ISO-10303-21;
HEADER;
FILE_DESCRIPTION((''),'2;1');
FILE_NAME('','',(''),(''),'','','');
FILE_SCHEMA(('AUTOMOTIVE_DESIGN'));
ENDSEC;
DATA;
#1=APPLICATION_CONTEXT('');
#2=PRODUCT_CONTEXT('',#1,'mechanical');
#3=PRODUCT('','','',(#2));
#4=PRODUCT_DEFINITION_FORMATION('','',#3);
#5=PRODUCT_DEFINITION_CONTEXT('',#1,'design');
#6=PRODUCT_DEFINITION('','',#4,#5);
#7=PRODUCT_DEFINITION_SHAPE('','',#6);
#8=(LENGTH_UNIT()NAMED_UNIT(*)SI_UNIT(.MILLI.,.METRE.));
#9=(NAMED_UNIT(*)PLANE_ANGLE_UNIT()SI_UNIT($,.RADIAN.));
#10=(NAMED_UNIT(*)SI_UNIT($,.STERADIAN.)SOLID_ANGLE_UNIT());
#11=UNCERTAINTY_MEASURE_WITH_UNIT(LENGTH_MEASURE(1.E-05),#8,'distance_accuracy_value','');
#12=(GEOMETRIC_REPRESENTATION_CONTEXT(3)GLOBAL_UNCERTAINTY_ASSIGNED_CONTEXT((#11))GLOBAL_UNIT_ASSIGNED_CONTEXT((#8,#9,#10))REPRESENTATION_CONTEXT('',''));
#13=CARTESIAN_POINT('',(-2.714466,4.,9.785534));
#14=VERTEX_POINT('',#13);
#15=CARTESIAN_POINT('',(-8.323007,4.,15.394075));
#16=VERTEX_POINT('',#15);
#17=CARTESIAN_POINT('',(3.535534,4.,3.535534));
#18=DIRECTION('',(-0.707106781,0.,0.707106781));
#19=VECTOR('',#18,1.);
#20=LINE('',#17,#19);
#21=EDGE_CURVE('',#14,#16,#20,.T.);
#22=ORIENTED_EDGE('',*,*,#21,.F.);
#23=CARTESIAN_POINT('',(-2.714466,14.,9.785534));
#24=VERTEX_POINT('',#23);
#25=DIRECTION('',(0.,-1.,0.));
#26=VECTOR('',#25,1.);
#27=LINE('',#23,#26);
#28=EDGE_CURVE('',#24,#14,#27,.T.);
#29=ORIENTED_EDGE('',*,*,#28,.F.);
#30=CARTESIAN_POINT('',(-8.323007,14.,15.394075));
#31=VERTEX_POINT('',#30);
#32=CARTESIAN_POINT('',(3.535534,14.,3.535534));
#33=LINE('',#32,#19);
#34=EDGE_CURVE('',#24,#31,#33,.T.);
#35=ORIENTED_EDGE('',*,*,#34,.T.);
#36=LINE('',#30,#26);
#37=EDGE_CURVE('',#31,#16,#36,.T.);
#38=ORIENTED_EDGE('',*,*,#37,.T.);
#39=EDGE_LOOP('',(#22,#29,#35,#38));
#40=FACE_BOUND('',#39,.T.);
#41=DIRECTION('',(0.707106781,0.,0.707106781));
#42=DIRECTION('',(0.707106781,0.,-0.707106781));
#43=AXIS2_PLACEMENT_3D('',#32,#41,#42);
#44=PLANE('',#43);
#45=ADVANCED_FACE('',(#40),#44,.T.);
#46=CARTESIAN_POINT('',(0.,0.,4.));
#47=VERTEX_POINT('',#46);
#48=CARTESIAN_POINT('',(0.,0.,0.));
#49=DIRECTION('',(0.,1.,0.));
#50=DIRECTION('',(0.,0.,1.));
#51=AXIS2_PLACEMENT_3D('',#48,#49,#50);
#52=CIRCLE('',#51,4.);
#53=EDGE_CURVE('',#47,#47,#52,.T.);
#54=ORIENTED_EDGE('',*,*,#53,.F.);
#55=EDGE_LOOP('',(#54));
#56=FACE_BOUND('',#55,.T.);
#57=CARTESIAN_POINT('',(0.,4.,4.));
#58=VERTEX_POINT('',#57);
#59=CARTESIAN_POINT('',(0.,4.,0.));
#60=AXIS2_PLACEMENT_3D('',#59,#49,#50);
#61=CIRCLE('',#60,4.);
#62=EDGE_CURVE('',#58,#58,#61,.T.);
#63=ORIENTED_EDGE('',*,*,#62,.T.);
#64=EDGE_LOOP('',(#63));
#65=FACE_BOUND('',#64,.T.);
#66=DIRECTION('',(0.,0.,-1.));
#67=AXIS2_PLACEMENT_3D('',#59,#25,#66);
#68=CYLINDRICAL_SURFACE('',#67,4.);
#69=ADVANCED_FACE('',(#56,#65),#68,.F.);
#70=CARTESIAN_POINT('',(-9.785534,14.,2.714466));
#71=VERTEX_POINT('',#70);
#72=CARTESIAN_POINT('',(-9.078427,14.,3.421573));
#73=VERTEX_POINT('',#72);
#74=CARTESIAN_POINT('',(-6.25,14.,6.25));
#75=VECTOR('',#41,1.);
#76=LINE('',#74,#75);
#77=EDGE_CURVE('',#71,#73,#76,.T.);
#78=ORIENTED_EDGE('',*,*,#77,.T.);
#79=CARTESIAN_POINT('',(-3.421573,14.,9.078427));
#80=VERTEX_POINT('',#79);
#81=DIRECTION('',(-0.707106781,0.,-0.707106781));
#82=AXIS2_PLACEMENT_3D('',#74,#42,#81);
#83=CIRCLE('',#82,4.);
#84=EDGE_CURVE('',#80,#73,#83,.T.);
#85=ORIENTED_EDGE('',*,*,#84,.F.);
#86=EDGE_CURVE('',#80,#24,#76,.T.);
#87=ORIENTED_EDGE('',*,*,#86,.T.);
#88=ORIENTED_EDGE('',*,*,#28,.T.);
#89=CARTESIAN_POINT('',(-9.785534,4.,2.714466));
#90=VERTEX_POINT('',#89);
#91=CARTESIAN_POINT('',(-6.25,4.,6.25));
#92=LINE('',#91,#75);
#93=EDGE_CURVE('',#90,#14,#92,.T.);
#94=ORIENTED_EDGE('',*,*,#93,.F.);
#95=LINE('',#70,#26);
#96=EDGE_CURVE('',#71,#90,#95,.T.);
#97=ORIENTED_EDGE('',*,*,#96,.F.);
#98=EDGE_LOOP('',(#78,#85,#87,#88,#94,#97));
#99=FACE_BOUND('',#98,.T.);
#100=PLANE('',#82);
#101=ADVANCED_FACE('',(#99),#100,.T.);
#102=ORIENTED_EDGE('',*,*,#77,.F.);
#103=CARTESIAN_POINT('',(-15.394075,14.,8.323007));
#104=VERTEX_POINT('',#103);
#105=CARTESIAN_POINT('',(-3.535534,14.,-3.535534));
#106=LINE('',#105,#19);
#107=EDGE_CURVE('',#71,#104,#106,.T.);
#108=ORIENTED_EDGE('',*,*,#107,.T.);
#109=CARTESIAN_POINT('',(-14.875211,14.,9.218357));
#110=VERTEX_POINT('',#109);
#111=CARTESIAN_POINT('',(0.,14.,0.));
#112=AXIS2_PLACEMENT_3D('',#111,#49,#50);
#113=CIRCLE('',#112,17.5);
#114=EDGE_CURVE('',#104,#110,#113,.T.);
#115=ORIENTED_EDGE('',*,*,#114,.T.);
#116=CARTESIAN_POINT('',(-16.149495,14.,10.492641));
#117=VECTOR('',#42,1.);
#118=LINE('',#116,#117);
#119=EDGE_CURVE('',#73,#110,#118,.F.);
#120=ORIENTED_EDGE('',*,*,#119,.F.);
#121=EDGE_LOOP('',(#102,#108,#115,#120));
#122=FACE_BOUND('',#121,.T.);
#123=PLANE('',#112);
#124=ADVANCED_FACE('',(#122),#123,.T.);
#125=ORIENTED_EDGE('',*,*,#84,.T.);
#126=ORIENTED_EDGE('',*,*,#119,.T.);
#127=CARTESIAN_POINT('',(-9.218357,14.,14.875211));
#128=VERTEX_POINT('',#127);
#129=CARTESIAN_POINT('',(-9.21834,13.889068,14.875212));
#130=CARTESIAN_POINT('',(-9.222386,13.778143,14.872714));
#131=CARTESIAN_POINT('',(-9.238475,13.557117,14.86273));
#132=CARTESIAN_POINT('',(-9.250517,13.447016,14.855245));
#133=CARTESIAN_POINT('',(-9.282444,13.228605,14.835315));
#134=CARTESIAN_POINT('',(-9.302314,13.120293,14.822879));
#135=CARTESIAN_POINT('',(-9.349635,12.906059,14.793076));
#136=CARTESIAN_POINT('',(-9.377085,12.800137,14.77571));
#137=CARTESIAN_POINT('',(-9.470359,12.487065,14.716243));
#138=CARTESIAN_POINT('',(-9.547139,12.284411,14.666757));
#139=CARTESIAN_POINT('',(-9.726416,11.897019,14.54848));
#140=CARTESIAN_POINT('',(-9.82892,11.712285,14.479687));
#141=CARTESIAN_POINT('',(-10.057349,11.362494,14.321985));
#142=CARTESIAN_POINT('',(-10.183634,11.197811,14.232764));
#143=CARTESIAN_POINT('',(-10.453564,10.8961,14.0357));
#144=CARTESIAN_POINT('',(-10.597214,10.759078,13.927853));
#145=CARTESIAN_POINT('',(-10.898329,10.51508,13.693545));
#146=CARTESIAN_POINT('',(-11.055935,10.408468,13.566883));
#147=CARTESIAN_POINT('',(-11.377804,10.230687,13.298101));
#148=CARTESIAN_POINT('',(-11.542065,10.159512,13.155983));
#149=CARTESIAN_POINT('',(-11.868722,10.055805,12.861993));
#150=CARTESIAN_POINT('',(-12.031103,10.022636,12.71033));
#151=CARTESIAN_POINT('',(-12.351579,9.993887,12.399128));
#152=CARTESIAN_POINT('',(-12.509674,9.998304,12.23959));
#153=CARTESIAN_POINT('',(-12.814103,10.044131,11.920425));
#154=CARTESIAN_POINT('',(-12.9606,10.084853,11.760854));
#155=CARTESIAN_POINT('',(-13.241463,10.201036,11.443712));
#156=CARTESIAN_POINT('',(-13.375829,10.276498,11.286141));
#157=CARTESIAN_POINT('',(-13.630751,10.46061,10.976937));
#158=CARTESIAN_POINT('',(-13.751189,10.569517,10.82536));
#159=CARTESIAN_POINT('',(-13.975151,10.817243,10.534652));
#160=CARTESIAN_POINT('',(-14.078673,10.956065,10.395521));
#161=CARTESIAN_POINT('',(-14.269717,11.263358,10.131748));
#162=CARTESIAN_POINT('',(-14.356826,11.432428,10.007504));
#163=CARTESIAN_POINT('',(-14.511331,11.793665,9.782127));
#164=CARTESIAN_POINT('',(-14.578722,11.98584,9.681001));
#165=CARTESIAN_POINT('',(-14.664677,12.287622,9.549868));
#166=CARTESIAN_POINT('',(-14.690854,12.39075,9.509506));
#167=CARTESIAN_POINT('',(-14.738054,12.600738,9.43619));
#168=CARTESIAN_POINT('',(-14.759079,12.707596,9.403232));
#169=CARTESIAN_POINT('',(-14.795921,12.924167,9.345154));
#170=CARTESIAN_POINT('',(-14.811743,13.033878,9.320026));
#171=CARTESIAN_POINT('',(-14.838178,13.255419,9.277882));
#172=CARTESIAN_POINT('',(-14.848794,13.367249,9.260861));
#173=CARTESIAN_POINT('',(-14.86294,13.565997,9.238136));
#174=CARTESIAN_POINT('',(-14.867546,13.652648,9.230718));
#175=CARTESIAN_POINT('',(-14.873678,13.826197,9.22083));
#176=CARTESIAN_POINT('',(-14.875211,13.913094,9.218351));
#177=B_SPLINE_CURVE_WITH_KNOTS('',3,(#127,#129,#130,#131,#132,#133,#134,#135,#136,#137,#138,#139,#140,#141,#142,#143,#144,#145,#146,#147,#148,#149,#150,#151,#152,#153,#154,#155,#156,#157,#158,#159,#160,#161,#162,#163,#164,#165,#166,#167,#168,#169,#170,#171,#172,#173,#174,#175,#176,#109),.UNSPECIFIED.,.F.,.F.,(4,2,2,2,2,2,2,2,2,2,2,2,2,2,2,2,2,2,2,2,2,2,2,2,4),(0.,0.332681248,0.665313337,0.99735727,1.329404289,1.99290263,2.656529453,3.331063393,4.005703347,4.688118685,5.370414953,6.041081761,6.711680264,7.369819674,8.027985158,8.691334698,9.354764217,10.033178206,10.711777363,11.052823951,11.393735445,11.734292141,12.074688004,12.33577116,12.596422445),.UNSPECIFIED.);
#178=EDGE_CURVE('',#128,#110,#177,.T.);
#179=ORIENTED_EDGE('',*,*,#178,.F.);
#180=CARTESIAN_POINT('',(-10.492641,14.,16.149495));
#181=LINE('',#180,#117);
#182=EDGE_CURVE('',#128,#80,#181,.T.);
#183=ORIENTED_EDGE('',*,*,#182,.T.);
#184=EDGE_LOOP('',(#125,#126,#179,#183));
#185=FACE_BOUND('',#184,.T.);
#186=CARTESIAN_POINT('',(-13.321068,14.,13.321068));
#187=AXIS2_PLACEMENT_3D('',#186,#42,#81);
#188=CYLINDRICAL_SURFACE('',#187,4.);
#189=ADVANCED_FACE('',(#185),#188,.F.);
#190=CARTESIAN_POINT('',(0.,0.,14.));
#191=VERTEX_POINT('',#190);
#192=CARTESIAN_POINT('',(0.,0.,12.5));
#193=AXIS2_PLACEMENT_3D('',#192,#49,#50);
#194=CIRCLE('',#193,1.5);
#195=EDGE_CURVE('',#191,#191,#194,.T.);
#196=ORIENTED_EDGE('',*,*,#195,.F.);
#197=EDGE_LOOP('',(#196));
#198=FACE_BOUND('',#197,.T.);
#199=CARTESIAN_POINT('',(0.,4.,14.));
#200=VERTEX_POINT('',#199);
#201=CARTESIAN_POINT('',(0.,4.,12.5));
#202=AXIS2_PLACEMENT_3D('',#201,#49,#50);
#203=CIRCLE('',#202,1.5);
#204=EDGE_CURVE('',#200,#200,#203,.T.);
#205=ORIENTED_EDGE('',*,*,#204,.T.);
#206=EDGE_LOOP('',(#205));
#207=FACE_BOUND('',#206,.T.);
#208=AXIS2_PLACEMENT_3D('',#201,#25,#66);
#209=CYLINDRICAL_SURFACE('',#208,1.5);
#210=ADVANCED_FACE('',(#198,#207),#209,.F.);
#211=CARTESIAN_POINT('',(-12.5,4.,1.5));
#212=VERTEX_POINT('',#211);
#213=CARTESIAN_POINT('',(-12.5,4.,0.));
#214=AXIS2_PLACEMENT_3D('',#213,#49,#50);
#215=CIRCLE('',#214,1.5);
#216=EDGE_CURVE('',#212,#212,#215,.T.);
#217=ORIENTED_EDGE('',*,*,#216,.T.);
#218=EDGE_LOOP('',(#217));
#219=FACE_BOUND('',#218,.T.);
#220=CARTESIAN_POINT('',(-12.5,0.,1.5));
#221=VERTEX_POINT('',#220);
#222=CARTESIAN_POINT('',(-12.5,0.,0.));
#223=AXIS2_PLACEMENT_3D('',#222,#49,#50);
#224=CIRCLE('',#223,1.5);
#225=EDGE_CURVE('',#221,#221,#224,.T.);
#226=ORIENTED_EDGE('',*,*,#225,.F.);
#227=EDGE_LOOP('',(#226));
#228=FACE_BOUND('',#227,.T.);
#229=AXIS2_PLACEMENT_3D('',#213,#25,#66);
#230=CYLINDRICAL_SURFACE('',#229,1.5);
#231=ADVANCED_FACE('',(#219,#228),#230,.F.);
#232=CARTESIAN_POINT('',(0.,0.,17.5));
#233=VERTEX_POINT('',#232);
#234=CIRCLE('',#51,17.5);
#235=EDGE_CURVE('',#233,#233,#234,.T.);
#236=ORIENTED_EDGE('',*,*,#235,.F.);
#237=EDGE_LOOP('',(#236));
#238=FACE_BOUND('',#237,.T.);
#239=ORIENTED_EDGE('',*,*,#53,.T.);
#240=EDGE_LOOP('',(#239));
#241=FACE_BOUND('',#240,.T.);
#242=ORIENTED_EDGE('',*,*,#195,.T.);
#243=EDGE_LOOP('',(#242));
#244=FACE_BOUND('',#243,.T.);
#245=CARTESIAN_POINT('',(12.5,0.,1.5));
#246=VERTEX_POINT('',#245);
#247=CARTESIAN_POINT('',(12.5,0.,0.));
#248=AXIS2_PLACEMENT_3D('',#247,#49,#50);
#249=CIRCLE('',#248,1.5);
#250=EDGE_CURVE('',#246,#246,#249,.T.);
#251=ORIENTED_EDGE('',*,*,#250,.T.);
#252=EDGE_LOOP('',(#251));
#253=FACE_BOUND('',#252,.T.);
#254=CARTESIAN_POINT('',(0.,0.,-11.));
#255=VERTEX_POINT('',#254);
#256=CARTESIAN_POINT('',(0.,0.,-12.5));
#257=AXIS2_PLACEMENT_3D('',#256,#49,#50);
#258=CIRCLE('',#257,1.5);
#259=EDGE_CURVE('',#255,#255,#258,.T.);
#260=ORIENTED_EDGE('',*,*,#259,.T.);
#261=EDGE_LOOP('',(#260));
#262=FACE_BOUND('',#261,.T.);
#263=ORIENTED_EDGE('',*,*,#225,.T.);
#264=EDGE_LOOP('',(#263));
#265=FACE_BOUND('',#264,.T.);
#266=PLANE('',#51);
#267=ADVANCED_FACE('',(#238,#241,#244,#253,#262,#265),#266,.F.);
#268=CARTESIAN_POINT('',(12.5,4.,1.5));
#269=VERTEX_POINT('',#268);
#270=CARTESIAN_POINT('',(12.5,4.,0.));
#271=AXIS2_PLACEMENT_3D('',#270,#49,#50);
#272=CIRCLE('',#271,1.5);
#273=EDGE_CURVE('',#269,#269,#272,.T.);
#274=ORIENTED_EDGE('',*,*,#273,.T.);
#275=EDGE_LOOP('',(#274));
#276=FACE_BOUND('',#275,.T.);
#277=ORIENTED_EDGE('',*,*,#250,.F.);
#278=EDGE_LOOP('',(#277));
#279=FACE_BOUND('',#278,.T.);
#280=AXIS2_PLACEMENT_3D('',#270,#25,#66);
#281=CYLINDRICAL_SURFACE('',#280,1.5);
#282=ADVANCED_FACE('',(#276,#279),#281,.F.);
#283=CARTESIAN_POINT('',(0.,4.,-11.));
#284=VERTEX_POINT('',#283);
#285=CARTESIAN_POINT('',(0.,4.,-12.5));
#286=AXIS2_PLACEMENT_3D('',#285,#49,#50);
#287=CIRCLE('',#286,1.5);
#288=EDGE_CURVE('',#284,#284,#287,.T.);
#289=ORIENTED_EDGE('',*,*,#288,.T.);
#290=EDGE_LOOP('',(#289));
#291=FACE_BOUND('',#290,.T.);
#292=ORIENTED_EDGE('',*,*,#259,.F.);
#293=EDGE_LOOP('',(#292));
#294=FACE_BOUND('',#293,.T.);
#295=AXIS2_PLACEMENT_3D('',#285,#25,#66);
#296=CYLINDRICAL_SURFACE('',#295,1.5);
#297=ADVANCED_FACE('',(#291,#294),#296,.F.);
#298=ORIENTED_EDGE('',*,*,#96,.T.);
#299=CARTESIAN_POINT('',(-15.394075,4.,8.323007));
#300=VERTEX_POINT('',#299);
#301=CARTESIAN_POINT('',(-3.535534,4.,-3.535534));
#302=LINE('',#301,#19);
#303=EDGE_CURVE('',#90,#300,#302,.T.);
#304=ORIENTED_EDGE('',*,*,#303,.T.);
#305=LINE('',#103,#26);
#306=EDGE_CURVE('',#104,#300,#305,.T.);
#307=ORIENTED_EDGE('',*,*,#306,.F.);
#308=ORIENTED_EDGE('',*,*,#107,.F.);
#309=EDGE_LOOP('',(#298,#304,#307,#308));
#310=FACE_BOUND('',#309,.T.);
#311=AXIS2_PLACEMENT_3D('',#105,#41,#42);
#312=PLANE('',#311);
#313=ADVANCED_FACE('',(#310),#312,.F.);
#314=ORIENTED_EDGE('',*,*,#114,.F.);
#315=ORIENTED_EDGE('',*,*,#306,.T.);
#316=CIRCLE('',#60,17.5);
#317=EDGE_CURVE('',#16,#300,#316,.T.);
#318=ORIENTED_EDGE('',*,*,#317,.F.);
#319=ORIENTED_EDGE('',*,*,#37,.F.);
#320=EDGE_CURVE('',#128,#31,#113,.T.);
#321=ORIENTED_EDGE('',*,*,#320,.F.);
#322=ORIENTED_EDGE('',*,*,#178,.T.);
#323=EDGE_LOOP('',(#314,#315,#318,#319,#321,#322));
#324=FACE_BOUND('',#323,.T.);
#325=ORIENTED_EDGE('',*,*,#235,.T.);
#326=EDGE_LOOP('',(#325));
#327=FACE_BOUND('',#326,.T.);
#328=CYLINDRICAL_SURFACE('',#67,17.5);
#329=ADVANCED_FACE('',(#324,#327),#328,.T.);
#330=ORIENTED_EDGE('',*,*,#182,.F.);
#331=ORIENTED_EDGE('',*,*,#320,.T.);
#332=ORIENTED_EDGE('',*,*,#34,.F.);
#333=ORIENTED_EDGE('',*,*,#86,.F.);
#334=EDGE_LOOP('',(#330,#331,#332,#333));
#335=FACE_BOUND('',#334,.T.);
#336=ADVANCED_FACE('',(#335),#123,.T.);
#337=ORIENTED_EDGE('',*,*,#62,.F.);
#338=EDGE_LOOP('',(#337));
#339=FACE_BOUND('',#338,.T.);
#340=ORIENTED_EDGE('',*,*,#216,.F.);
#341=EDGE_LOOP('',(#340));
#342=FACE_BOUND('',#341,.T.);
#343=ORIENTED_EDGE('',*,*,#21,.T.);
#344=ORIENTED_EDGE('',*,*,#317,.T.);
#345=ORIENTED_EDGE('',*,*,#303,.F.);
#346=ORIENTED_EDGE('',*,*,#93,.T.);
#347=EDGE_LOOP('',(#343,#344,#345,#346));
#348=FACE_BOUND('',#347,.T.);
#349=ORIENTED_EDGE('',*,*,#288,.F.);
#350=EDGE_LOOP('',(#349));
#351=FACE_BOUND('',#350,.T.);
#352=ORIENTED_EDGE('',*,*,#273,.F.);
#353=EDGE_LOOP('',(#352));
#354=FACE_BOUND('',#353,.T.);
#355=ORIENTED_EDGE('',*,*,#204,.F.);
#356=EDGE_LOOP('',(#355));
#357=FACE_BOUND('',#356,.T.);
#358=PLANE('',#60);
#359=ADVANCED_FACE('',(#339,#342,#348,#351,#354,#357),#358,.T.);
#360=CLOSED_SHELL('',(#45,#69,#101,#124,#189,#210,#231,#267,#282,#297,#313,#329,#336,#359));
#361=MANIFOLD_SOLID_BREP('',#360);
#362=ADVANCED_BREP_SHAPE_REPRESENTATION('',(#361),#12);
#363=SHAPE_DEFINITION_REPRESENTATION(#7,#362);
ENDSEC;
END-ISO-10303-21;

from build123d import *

# Parameters (mm, degrees)
SKETCH1_R           = 17.5
SKETCH1_R_2         = 4
SKETCH1_R_3         = 1.5
BOSS_EXTRUDE1_DEPTH = 4
BOSS_EXTRUDE2_DEPTH = 10
SKETCH3_R           = 4
CUT_EXTRUDE1_DEPTH  = 10


with BuildPart() as part:
    # Sketch1 → Boss-Extrude1 (new body)
    with BuildSketch(Plane(origin=(0, 0, 0), x_dir=(1, 0, 0), z_dir=(0, 1, 0))):
        with Locations(Location((0, 0, 0), (0, 0, 270))):
            Circle(SKETCH1_R)
        with Locations(Location((0, 0, 0), (0, 0, 270))):
            Circle(SKETCH1_R_2, mode=Mode.SUBTRACT)
        with Locations(Location((-12.5, 0, 0), (0, 0, 270))):
            Circle(SKETCH1_R_3, mode=Mode.SUBTRACT)
        with Locations(Location((0, 12.5, 0), (0, 0, 270))):
            Circle(SKETCH1_R_3, mode=Mode.SUBTRACT)
        with Locations(Location((12.5, 0, 0), (0, 0, 270))):
            Circle(SKETCH1_R_3, mode=Mode.SUBTRACT)
        with Locations(Location((0, -12.5, 0), (0, 0, 270))):
            Circle(SKETCH1_R_3, mode=Mode.SUBTRACT)
    extrude(amount=BOSS_EXTRUDE1_DEPTH)

    # Sketch2 → Boss-Extrude2 (add)
    with BuildSketch(Plane(origin=(0, 4, 0), x_dir=(1, 0, 0), z_dir=(0, 1, 0))):
        with BuildLine():
            Line((-6.25, -6.25), (-9.785533906, -2.714466094))
            Line((-9.785533906, -2.714466094), (-15.394075132, -8.32300732))
            ThreePointArc((-15.394075132, -8.32300732), (-12.374368671, -12.374368671), (-8.32300732, -15.394075132))
            Line((-8.32300732, -15.394075132), (-2.714466094, -9.785533906))
            Line((-2.714466094, -9.785533906), (-6.25, -6.25))
        make_face()
    extrude(amount=BOSS_EXTRUDE2_DEPTH)

    # Sketch3 → Cut-Extrude1 (cut)
    with BuildSketch(Plane(origin=(-6.25, 0, 6.25), x_dir=(-0.7071067811865475, 0, -0.7071067811865477), z_dir=(0.7071067811865477, 0, -0.7071067811865475))):
        with Locations((0, 14)):
            Circle(SKETCH3_R)
    extrude(amount=-CUT_EXTRUDE1_DEPTH, mode=Mode.SUBTRACT)


solid = part.part
